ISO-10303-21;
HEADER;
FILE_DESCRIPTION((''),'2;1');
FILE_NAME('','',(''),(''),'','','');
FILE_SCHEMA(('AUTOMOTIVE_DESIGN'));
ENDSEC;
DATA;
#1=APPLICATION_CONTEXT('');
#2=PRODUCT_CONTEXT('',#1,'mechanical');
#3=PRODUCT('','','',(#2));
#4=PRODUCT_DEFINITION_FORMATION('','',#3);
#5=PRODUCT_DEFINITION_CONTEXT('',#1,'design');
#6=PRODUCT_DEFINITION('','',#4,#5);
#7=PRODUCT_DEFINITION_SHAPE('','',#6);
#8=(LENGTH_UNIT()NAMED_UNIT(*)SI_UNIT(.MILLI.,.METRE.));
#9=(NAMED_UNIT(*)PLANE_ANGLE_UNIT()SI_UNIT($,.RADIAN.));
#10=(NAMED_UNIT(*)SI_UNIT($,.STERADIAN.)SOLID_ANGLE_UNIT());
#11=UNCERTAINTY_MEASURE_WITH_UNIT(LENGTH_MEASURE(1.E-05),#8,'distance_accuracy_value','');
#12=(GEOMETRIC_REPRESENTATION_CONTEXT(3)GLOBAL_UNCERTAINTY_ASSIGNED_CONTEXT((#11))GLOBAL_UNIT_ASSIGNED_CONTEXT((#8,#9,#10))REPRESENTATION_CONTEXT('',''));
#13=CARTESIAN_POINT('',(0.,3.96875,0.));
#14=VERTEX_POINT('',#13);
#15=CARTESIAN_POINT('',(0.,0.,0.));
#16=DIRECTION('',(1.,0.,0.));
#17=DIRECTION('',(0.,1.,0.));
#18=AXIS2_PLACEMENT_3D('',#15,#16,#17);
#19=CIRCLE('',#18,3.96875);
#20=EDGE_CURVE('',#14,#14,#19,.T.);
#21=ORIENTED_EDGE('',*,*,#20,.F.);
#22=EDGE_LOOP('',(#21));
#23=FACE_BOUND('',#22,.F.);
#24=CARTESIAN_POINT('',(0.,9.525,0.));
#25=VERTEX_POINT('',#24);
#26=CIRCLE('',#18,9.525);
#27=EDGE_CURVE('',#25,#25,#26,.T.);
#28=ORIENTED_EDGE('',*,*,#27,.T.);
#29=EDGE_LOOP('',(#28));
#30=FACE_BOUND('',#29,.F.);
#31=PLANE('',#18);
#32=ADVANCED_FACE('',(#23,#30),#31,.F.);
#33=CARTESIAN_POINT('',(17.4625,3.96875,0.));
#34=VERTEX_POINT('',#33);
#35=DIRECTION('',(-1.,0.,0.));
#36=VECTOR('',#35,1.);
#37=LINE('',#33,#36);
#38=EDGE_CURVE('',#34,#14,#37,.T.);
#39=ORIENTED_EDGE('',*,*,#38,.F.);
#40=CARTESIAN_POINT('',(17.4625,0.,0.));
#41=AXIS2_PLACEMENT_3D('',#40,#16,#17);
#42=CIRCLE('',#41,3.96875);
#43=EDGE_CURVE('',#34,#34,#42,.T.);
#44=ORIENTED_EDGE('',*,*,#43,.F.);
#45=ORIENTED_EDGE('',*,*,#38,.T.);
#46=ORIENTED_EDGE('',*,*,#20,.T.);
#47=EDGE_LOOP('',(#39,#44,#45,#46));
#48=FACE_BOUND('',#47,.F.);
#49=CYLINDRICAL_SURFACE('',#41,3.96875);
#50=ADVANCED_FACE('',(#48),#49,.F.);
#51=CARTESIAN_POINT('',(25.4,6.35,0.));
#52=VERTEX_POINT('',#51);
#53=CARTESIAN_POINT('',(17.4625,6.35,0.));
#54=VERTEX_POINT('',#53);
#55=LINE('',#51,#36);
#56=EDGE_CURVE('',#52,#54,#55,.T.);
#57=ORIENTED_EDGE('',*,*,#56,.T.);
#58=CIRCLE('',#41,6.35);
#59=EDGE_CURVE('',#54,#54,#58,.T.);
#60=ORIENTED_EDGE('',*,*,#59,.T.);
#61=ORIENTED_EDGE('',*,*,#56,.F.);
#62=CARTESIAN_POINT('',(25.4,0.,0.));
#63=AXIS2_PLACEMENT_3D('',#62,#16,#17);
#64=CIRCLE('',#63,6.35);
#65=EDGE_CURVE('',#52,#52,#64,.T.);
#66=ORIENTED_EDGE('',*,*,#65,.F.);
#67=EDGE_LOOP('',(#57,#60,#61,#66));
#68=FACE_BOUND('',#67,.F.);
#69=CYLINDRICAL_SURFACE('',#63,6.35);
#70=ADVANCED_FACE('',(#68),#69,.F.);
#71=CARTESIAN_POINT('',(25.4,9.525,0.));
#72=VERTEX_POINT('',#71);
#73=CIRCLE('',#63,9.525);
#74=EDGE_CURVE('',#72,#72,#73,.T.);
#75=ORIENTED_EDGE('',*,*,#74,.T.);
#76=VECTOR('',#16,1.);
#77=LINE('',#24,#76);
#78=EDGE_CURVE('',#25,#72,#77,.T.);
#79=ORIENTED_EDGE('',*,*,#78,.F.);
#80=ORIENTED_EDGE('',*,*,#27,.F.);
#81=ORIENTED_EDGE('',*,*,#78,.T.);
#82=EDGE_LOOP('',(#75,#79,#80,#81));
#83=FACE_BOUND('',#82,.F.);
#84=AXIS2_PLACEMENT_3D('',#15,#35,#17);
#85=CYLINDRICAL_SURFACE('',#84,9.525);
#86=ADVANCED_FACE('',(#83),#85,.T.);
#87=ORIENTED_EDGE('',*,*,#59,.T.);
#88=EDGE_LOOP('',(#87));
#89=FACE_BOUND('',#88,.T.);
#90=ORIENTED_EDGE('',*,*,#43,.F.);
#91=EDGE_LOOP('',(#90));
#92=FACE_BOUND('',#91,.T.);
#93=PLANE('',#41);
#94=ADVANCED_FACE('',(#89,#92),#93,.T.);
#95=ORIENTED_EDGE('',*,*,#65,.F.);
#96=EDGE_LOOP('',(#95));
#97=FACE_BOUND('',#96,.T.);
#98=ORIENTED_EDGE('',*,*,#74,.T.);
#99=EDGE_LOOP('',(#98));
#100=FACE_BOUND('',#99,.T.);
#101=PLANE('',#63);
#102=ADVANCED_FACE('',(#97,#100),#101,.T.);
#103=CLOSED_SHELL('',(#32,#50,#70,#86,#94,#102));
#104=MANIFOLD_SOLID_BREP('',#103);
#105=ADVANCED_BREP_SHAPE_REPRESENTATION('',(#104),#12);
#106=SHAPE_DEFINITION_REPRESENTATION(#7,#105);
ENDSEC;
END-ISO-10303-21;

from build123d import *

# Parameters (mm, degrees)
F0_R     = 9.525
F1_DEPTH = 25.4
F2_R     = 6.35
F3_DEPTH = 7.9375
F4_R     = 3.96875
F5_DEPTH = 17.4635


with BuildPart() as f1:
    # F0 (on Right) → F1 (new body)
    with BuildSketch(Plane.YZ):
        Circle(F0_R)
    extrude(amount=F1_DEPTH)

    # F2 (on face) → F3 (cut)
    with BuildSketch(Plane.YZ.offset(25.4)):
        Circle(F2_R)
    extrude(amount=-F3_DEPTH, mode=Mode.SUBTRACT)

    # F4 (on face) → F5 (cut, through all)
    with BuildSketch(Plane.YZ.offset(17.4625)):
        Circle(F4_R)
    extrude(amount=-F5_DEPTH, mode=Mode.SUBTRACT)


solid = f1.part
